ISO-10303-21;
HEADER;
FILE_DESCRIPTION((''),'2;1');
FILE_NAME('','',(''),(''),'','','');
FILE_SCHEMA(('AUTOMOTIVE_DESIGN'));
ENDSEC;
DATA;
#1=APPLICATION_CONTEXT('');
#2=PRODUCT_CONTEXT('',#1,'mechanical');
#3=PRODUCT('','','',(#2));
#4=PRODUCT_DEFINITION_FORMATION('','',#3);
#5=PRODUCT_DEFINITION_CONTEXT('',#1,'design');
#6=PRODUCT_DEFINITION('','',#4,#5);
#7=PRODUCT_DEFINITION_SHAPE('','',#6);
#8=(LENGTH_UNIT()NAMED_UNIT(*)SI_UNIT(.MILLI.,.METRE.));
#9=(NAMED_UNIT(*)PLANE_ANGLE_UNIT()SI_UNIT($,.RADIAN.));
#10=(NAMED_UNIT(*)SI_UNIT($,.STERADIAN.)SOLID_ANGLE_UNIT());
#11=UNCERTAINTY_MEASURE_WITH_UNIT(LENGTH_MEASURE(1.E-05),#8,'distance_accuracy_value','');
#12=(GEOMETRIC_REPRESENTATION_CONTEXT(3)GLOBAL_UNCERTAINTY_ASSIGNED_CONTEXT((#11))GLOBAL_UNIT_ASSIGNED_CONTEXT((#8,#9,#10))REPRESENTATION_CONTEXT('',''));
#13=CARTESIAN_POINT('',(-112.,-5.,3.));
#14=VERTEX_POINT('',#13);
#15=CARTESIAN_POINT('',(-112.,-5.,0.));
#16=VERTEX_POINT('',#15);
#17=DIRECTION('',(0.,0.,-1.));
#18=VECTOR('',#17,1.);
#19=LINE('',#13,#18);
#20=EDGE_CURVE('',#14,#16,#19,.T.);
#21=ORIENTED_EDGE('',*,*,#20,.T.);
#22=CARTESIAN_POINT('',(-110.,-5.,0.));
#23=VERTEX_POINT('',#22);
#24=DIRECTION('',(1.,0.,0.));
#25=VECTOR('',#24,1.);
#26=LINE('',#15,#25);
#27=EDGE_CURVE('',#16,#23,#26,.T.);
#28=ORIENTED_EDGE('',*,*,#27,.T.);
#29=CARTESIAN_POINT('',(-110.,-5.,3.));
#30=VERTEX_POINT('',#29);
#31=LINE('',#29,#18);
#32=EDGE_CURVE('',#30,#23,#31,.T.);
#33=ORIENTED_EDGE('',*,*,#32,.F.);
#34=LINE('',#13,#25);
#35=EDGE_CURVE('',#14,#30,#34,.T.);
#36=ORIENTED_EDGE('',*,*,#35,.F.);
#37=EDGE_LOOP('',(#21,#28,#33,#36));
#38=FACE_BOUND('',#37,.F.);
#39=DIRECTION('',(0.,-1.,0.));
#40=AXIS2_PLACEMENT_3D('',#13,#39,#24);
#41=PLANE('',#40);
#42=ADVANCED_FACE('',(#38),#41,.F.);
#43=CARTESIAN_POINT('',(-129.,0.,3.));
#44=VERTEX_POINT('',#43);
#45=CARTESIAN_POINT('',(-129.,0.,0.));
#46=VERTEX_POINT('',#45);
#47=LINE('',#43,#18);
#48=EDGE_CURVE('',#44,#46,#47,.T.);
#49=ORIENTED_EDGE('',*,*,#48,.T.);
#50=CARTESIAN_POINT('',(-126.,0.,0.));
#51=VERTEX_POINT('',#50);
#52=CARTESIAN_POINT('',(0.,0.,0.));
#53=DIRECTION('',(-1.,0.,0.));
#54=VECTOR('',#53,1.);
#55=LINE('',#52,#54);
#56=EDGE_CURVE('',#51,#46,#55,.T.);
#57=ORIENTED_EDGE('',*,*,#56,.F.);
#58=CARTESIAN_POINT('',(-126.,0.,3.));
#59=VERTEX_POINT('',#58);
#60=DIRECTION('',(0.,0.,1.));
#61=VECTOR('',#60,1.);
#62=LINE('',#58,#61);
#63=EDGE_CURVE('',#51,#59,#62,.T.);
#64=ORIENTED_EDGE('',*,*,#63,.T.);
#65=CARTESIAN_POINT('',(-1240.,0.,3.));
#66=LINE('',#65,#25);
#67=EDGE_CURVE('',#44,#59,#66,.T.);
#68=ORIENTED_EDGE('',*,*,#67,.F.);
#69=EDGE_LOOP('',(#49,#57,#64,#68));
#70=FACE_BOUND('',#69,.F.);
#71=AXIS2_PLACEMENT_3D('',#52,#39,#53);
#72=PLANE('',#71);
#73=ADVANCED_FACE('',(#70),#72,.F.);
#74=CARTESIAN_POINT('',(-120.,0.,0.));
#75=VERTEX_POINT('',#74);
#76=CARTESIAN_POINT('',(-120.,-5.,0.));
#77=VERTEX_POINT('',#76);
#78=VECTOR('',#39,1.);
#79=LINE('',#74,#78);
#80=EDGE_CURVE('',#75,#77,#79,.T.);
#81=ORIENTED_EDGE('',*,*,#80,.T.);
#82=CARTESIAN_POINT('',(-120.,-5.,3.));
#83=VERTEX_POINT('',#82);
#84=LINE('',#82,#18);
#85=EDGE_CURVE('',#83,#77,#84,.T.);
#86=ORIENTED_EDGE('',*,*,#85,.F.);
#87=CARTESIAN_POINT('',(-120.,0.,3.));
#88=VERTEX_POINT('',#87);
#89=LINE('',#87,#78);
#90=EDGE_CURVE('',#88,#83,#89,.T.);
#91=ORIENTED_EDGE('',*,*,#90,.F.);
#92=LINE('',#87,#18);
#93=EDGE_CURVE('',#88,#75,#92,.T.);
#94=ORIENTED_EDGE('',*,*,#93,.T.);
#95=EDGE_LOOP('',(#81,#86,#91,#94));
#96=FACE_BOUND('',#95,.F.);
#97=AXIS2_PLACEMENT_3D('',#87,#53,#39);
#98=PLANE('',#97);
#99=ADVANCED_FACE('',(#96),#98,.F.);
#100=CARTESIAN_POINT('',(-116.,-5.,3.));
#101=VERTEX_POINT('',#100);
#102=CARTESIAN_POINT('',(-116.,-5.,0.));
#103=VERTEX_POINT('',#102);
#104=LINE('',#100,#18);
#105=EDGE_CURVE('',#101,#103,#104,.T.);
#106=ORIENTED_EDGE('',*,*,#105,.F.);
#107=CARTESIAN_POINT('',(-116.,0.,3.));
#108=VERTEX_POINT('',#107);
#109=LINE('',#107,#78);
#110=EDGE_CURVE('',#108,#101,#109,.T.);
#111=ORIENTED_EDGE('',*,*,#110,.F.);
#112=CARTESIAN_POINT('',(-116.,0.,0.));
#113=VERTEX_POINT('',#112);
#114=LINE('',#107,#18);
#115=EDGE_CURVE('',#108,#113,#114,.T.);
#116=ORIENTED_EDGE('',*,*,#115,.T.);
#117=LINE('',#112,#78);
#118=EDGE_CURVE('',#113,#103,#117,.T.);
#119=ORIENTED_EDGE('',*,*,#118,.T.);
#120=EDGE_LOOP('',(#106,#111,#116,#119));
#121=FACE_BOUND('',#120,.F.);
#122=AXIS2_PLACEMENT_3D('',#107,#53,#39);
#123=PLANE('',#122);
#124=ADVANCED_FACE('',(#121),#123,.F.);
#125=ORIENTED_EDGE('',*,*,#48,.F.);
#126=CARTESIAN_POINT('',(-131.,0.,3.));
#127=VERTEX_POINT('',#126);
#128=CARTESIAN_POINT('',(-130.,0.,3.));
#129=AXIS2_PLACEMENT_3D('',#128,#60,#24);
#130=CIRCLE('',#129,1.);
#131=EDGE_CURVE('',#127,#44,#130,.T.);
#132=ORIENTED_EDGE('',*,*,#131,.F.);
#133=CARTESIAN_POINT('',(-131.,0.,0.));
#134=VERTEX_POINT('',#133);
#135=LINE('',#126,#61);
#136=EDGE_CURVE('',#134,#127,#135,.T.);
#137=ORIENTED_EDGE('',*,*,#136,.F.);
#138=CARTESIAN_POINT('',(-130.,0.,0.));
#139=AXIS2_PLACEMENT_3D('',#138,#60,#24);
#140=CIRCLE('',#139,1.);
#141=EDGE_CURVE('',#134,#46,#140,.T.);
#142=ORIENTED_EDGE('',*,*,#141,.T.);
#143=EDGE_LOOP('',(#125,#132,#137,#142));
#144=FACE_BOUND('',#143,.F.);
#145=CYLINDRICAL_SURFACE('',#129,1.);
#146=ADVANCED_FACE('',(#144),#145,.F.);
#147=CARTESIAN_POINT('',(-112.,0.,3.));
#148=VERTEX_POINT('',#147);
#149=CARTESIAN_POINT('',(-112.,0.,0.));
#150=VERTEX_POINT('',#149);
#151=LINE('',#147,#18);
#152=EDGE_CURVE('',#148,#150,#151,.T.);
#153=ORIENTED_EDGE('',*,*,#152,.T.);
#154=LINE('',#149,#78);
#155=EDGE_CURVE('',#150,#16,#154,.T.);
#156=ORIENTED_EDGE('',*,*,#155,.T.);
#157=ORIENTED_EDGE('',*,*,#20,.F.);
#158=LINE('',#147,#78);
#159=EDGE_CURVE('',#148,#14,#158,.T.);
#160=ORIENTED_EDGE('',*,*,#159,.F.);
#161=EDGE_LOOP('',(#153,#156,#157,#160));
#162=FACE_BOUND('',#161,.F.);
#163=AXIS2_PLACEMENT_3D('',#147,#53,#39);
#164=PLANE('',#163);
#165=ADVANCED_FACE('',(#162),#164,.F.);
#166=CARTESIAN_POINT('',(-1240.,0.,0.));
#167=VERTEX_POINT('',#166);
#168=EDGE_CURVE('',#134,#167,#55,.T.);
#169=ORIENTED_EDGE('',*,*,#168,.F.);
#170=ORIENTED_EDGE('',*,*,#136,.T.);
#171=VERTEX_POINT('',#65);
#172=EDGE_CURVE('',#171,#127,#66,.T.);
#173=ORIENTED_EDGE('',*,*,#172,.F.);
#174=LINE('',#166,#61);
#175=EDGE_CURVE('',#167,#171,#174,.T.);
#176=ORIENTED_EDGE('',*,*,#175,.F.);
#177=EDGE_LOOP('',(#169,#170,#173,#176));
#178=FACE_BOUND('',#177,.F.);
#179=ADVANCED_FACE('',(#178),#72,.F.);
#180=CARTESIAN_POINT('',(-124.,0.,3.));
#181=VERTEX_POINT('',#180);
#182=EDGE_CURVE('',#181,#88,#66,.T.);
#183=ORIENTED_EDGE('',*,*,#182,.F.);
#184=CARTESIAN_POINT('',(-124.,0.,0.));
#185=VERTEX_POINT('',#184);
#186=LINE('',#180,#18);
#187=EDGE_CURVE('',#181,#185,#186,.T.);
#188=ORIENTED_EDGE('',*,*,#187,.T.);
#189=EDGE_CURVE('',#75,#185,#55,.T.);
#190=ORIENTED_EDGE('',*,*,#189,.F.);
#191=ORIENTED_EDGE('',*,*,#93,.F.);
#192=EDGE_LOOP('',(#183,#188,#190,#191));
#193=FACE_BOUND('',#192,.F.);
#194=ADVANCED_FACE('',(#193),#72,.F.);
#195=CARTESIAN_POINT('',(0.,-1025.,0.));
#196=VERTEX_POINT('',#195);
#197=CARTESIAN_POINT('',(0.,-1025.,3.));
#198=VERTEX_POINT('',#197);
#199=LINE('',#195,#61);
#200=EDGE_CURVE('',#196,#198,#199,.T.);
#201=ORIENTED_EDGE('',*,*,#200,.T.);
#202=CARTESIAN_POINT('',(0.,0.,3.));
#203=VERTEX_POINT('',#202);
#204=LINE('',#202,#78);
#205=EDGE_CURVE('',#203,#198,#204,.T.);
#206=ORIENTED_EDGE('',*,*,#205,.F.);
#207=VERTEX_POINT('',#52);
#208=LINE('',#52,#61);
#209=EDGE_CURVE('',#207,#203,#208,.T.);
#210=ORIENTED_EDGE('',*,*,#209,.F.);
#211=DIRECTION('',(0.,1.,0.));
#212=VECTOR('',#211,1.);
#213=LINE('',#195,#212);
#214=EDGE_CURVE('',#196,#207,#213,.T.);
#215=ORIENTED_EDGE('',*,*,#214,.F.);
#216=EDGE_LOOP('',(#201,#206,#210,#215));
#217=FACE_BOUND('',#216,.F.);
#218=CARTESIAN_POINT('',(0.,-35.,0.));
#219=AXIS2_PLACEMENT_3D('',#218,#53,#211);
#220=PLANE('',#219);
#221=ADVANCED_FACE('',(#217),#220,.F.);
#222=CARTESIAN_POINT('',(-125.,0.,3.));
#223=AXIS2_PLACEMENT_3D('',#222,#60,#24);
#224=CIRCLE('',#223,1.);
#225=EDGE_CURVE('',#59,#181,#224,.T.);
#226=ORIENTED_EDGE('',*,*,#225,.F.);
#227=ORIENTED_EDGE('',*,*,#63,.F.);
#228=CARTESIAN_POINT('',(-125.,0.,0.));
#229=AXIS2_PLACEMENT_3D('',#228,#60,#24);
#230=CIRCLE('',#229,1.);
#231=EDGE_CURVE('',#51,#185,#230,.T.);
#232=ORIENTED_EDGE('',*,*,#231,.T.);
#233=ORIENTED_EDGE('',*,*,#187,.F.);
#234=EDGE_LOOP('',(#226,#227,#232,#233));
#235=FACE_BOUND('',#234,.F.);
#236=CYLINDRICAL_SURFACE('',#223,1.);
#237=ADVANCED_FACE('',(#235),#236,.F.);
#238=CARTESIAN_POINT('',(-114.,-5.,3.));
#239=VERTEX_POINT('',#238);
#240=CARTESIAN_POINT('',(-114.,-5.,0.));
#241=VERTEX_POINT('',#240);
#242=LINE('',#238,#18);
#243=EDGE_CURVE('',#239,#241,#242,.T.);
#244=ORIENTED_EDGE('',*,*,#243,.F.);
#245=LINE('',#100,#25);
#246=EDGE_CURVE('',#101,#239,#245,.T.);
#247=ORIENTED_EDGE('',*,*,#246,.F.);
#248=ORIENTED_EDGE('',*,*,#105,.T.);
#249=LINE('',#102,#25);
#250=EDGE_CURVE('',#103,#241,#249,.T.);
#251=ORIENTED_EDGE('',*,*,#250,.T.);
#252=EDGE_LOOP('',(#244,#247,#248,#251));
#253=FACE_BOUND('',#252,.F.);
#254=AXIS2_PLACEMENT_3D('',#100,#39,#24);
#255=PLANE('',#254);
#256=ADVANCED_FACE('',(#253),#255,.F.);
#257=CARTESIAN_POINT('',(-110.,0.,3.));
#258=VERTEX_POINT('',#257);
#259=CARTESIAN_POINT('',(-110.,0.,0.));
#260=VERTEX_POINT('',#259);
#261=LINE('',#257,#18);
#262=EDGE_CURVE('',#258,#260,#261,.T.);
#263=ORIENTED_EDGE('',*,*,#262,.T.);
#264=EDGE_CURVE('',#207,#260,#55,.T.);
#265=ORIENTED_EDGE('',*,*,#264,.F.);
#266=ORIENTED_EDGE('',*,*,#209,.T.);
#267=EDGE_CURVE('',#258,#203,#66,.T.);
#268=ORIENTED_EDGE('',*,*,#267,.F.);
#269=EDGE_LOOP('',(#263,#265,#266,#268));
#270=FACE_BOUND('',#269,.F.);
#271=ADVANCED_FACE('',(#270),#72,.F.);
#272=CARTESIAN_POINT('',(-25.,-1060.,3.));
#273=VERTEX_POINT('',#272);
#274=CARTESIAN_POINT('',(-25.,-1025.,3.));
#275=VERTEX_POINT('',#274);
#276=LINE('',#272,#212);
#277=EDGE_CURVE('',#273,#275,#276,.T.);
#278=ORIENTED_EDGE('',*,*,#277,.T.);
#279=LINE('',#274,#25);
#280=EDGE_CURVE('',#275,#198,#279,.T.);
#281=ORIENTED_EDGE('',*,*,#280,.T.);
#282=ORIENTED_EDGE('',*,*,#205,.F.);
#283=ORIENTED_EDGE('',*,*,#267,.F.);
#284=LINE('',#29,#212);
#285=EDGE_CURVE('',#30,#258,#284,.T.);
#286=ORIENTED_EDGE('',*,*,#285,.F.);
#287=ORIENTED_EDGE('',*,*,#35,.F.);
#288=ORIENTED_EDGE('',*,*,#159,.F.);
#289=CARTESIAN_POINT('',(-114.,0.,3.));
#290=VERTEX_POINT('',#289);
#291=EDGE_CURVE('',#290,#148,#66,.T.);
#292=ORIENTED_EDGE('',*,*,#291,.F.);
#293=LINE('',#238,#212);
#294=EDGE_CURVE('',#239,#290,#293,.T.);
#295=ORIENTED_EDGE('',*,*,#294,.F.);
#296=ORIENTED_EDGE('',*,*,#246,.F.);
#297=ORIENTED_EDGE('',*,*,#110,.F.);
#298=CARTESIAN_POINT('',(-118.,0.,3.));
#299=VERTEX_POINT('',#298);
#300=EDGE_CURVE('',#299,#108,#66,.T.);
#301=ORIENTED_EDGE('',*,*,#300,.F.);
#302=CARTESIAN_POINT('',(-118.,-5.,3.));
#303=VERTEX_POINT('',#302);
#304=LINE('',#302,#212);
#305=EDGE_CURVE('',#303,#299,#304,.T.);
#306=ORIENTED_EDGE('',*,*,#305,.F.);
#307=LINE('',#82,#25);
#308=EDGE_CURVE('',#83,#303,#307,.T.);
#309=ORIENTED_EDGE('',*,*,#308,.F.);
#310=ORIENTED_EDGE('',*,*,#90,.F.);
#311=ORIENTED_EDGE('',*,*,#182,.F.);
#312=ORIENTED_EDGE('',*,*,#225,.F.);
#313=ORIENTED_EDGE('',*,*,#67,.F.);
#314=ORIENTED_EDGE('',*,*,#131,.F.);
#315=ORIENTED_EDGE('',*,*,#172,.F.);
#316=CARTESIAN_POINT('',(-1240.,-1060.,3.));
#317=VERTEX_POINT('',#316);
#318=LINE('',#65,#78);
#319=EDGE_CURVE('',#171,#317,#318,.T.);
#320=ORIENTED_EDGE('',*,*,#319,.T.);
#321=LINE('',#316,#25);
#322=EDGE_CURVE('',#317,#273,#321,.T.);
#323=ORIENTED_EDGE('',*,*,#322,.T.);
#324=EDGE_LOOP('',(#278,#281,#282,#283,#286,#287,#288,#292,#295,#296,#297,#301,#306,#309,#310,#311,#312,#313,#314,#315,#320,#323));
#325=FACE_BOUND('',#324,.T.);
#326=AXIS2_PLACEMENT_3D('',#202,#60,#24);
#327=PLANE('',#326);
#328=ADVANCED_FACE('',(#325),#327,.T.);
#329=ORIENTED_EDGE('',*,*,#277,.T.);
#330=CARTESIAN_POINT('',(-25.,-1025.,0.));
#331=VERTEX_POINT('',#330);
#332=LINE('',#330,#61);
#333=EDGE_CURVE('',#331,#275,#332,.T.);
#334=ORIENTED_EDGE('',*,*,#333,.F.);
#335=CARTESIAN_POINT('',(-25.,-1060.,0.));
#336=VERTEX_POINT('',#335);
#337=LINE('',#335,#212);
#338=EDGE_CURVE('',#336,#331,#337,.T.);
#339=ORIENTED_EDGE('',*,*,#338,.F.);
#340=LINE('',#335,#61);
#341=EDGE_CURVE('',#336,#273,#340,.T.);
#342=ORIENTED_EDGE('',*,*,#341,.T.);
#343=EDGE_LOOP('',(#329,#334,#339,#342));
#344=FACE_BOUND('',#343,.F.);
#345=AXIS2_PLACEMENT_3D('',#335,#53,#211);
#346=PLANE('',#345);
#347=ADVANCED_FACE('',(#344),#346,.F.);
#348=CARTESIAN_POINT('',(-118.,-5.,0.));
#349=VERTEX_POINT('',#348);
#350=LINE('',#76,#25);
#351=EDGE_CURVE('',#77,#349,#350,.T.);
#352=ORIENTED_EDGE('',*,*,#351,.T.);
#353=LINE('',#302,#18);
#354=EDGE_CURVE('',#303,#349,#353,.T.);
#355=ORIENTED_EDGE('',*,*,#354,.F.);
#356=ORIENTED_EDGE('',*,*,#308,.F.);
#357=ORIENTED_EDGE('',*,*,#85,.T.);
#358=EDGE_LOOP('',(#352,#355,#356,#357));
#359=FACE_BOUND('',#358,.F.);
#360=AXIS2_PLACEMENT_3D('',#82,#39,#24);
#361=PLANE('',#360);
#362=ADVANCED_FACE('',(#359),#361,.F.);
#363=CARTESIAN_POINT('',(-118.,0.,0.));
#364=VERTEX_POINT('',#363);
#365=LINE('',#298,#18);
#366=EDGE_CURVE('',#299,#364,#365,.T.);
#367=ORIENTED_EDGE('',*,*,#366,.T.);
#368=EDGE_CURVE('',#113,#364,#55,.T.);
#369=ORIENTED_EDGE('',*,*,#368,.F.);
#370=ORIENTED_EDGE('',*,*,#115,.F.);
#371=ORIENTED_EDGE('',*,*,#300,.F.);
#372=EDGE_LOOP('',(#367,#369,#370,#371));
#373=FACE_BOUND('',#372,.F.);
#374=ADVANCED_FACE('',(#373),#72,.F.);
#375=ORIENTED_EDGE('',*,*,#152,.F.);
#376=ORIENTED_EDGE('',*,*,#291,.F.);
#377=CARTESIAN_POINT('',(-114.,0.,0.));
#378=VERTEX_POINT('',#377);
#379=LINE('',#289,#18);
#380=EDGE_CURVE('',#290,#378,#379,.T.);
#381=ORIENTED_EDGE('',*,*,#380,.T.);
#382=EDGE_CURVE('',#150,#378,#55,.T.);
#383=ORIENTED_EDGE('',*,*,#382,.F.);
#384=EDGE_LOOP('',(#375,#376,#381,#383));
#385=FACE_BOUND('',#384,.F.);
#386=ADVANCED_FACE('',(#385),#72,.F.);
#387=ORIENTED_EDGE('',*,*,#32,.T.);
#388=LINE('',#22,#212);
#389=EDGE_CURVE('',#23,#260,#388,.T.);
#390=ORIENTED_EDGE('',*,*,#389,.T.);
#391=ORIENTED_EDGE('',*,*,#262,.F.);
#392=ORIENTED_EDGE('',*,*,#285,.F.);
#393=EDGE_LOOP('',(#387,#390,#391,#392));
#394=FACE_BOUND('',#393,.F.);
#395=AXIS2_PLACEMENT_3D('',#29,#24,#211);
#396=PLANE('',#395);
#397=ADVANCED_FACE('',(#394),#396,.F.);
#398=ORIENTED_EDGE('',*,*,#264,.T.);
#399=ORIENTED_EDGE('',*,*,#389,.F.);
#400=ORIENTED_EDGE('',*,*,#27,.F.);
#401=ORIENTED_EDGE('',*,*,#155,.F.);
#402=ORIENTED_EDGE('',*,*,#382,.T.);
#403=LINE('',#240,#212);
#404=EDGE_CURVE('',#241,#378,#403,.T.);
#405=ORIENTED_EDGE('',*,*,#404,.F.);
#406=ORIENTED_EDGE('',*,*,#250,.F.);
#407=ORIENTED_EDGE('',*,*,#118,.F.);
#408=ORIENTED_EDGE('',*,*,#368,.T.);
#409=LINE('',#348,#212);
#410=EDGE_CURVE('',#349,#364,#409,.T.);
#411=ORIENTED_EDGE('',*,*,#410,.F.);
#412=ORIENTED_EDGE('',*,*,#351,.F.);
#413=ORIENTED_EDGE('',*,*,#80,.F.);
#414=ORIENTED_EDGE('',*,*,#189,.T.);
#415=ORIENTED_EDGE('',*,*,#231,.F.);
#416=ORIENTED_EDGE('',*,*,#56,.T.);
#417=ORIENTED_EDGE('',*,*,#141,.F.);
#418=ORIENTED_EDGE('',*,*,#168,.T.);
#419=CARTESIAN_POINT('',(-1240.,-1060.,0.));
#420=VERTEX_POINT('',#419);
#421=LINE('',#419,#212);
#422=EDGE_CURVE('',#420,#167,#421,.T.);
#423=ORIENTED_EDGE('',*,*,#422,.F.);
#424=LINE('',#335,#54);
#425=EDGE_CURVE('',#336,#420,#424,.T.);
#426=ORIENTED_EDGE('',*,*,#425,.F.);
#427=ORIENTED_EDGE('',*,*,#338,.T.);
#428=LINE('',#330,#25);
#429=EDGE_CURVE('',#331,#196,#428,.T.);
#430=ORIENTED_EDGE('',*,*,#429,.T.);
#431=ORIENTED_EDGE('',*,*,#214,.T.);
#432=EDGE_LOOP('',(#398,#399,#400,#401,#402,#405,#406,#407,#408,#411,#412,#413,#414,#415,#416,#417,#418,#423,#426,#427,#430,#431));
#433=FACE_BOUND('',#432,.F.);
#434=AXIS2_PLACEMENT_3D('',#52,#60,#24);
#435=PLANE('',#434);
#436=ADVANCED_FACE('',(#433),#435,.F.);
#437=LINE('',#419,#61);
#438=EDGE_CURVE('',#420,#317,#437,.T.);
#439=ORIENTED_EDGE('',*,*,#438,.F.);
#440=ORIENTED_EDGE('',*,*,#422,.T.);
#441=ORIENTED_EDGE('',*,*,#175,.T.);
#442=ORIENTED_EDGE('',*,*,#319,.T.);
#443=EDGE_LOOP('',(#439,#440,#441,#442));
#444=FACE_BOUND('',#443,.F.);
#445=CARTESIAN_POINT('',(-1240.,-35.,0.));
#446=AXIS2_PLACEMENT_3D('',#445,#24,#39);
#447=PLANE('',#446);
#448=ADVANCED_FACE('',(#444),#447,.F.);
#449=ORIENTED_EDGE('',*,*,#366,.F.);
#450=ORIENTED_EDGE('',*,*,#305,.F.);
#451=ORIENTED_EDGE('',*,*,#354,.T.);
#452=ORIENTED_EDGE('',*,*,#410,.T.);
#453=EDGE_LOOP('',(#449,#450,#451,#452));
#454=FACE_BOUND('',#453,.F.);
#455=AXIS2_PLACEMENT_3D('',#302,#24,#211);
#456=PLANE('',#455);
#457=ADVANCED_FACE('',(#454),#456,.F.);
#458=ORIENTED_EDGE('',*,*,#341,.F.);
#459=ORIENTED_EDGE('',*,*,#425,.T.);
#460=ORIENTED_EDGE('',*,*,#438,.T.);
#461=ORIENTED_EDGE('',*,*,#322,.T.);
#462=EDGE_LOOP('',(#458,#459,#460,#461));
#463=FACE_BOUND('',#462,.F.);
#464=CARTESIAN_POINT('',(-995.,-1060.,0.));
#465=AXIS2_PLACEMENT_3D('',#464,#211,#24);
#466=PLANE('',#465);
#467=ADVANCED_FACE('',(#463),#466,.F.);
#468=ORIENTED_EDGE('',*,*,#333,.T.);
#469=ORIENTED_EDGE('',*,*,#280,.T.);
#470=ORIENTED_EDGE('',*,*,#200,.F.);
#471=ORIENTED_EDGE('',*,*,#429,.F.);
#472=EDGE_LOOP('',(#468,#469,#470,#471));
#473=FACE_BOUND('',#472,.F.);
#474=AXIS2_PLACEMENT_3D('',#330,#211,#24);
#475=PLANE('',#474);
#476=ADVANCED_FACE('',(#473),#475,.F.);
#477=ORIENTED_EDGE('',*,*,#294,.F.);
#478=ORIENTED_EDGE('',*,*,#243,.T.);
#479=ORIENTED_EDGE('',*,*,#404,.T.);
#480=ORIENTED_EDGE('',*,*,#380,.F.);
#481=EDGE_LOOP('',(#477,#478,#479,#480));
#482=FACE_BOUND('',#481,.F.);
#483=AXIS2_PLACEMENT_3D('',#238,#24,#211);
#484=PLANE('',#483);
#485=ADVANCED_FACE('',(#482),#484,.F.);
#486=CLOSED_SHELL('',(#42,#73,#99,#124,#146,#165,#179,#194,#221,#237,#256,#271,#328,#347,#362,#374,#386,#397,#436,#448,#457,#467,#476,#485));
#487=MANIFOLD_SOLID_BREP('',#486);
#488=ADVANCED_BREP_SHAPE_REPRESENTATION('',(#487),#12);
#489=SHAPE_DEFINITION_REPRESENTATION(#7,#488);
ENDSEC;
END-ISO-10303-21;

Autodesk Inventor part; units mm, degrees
ref_plane "YZ Plane" through (0, 0, 0) normal (1, 0, 0) x (0, 1, 0)
ref_plane "XZ Plane" through (0, 0, 0) normal (0, 1, 0) x (-1, 0, 0)
ref_plane "XY Plane" through (0, 0, 0) normal (0, 0, 1) x (1, 0, 0)
sketch "Sketch1" plane through (0, 0, 0) normal (0, 0, 1) x (1, 0, 0)
  line L0 (0, 0) -> (-1240, 0)
  line L1 (-1240, 0) -> (-1240, -1060)
  line L2 (-1240, -1060) -> (0, -1060)
  line L3 (0, -1060) -> (0, 0)
  line L4 (0, 0) -> (-25, 0)
  line L5 (-25, 0) -> (-25, -35)
  line L6 (-25, -35) -> (0, -35)
  line L7 (0, -35) -> (0, 0)
  line L8 (0, -1060) -> (-25, -1060)
  line L9 (-25, -1060) -> (-25, -1025)
  line L10 (-25, -1025) -> (0, -1025)
  line L11 (0, -1025) -> (0, -1060)
  line L12 (-1240, 0) -> (-1215, 0)
  line L13 (-1215, 0) -> (-1215, -35)
  line L14 (-1215, -35) -> (-1240, -35)
  line L15 (-1240, -35) -> (-1240, 0)
  line L16 (-1240, -1060) -> (-1215, -1060)
  line L17 (-1215, -1060) -> (-1215, -1025)
  line L18 (-1215, -1025) -> (-1240, -1025)
  line L19 (-1240, -1025) -> (-1240, -1060)
  line L20 (-1085, -1060) -> (-995, -1060)
  line L21 (-995, -1060) -> (-995, -1025)
  line L22 (-995, -1025) -> (-1085, -1025)
  line L23 (-1085, -1025) -> (-1085, -1060)
  line L24 (-1085, 0) -> (-995, 0)
  line L25 (-995, 0) -> (-995, -35)
  line L26 (-995, -35) -> (-1085, -35)
  line L27 (-1085, -35) -> (-1085, 0)
  point P0 (0, -35)
  point P1 (-25, 0)
  point P2 (-25, -1060)
  point P3 (0, -1025)
  point P4 (-995, -1060)
  point P5 (-995, 0)
  dimension "d22" = 1240
  dimension "d23" = 1060
  dimension "d24" = 25
  dimension "d25" = 35
  dimension "d28" = 90
  dimension "d29" = 970
extrude "Plate1" add sketch "Sketch1" along normal blind 3 contours L3 L6 L5 L0 | L5 L6 L3 L10 L9 L2 L21 L22 L23 L17 L18 L1 L14 L13 L0 L27 L26 L25 | L25 L26 L27 L0 | L13 L14 L1 L0 | L2 L23 L22 L21 | L18 L17 L2 L1
sketch "Sketch5" plane through (0, 0, 3) normal (0, 0, 1) x (1, 0, 0)
  line L0 (0, 0) -> (-100, 0) construction
  line L1 (-100, 0) -> (-100, -2) construction
  line L2 (-100, -2) -> (0, -2) construction
  line L3 (0, -2) -> (0, 0) construction
  line L4 (-100, 0) -> (-101.5248, -4.6556)
  arc A0 (-102.4752, -4.6556) -> (-101.5248, -4.6556) centre (-102, -4.5) ccw
  line L5 (-102.4752, -4.6556) -> (-104, 0)
  line L6 (-104, 0) -> (-100, 0)
  line L7 (-104, 0) -> (-106, 0) construction
  line L8 (-106, 0) -> (-108, 0)
  line L9 (-108, 0) -> (-108, -5)
  line L10 (-108, -5) -> (-106, -5)
  line L11 (-106, -5) -> (-106, 0)
  line L12 (-108, 0) -> (-110, 0) construction
  line L13 (-110, 0) -> (-112, 0)
  line L14 (-112, 0) -> (-112, -5)
  line L15 (-112, -5) -> (-110, -5)
  line L16 (-110, -5) -> (-110, 0)
  line L17 (-112, 0) -> (-114, 0) construction
  line L18 (-114, 0) -> (-116, 0)
  line L19 (-116, 0) -> (-116, -5)
  line L20 (-116, -5) -> (-114, -5)
  line L21 (-114, -5) -> (-114, 0)
  line L22 (-116, 0) -> (-118, 0) construction
  line L23 (-118, 0) -> (-120, 0)
  line L24 (-120, 0) -> (-120, -5)
  line L25 (-120, -5) -> (-118, -5)
  line L26 (-118, -5) -> (-118, 0)
  line L27 (-120, 0) -> (-125, 0) construction
  line L28 (-125, 0) -> (-130, 0) construction
  circle A1 centre (-125, 0) radius 1
  circle A2 centre (-130, 0) radius 1
  point P0 (-102, 0)
  dimension "d30" = 100
  dimension "d31" = 2
  dimension "d32" = 5
  dimension "d33" = 4
  dimension "d34" = 0.5
  dimension "d35" = 5
  dimension "d36" = 5
  dimension "d37" = 5
  dimension "d38" = 2
extrude "Cut1" cut sketch "Sketch5" against normal blind 3 contours L16 L15 L14 L13 | L21 L20 L19 L18 | L26 L25 L24 L23 | A1 | A2
equation "\"d33\" = 2 * d31"
equation "\"d34\" = 0.25 * d31"
equation "\"d38\" = d31"
equation "\"d39\" = Thickness"
equation "\"d2\" = Thickness"
equation "\"BendReliefWidth\" = Thickness"
equation "\"BendReliefDepth\" = 0.5 * Thickness"
equation "\"CornerReliefSize\" = 4 * Thickness"
equation "\"MinimumRemnant\" = 2 * Thickness"
equation "\"TransitionRadius\" = BendRadius"
equation "\"JacobiRadiusSize\" = BendRadius"
equation "\"GapSize\" = Thickness"
equation "\"Thickness\" = 3"
equation "\"BendRadius\" = 5"
properties part number "GnG frame 2 floor sheet 7" material "Stainless Steel"
